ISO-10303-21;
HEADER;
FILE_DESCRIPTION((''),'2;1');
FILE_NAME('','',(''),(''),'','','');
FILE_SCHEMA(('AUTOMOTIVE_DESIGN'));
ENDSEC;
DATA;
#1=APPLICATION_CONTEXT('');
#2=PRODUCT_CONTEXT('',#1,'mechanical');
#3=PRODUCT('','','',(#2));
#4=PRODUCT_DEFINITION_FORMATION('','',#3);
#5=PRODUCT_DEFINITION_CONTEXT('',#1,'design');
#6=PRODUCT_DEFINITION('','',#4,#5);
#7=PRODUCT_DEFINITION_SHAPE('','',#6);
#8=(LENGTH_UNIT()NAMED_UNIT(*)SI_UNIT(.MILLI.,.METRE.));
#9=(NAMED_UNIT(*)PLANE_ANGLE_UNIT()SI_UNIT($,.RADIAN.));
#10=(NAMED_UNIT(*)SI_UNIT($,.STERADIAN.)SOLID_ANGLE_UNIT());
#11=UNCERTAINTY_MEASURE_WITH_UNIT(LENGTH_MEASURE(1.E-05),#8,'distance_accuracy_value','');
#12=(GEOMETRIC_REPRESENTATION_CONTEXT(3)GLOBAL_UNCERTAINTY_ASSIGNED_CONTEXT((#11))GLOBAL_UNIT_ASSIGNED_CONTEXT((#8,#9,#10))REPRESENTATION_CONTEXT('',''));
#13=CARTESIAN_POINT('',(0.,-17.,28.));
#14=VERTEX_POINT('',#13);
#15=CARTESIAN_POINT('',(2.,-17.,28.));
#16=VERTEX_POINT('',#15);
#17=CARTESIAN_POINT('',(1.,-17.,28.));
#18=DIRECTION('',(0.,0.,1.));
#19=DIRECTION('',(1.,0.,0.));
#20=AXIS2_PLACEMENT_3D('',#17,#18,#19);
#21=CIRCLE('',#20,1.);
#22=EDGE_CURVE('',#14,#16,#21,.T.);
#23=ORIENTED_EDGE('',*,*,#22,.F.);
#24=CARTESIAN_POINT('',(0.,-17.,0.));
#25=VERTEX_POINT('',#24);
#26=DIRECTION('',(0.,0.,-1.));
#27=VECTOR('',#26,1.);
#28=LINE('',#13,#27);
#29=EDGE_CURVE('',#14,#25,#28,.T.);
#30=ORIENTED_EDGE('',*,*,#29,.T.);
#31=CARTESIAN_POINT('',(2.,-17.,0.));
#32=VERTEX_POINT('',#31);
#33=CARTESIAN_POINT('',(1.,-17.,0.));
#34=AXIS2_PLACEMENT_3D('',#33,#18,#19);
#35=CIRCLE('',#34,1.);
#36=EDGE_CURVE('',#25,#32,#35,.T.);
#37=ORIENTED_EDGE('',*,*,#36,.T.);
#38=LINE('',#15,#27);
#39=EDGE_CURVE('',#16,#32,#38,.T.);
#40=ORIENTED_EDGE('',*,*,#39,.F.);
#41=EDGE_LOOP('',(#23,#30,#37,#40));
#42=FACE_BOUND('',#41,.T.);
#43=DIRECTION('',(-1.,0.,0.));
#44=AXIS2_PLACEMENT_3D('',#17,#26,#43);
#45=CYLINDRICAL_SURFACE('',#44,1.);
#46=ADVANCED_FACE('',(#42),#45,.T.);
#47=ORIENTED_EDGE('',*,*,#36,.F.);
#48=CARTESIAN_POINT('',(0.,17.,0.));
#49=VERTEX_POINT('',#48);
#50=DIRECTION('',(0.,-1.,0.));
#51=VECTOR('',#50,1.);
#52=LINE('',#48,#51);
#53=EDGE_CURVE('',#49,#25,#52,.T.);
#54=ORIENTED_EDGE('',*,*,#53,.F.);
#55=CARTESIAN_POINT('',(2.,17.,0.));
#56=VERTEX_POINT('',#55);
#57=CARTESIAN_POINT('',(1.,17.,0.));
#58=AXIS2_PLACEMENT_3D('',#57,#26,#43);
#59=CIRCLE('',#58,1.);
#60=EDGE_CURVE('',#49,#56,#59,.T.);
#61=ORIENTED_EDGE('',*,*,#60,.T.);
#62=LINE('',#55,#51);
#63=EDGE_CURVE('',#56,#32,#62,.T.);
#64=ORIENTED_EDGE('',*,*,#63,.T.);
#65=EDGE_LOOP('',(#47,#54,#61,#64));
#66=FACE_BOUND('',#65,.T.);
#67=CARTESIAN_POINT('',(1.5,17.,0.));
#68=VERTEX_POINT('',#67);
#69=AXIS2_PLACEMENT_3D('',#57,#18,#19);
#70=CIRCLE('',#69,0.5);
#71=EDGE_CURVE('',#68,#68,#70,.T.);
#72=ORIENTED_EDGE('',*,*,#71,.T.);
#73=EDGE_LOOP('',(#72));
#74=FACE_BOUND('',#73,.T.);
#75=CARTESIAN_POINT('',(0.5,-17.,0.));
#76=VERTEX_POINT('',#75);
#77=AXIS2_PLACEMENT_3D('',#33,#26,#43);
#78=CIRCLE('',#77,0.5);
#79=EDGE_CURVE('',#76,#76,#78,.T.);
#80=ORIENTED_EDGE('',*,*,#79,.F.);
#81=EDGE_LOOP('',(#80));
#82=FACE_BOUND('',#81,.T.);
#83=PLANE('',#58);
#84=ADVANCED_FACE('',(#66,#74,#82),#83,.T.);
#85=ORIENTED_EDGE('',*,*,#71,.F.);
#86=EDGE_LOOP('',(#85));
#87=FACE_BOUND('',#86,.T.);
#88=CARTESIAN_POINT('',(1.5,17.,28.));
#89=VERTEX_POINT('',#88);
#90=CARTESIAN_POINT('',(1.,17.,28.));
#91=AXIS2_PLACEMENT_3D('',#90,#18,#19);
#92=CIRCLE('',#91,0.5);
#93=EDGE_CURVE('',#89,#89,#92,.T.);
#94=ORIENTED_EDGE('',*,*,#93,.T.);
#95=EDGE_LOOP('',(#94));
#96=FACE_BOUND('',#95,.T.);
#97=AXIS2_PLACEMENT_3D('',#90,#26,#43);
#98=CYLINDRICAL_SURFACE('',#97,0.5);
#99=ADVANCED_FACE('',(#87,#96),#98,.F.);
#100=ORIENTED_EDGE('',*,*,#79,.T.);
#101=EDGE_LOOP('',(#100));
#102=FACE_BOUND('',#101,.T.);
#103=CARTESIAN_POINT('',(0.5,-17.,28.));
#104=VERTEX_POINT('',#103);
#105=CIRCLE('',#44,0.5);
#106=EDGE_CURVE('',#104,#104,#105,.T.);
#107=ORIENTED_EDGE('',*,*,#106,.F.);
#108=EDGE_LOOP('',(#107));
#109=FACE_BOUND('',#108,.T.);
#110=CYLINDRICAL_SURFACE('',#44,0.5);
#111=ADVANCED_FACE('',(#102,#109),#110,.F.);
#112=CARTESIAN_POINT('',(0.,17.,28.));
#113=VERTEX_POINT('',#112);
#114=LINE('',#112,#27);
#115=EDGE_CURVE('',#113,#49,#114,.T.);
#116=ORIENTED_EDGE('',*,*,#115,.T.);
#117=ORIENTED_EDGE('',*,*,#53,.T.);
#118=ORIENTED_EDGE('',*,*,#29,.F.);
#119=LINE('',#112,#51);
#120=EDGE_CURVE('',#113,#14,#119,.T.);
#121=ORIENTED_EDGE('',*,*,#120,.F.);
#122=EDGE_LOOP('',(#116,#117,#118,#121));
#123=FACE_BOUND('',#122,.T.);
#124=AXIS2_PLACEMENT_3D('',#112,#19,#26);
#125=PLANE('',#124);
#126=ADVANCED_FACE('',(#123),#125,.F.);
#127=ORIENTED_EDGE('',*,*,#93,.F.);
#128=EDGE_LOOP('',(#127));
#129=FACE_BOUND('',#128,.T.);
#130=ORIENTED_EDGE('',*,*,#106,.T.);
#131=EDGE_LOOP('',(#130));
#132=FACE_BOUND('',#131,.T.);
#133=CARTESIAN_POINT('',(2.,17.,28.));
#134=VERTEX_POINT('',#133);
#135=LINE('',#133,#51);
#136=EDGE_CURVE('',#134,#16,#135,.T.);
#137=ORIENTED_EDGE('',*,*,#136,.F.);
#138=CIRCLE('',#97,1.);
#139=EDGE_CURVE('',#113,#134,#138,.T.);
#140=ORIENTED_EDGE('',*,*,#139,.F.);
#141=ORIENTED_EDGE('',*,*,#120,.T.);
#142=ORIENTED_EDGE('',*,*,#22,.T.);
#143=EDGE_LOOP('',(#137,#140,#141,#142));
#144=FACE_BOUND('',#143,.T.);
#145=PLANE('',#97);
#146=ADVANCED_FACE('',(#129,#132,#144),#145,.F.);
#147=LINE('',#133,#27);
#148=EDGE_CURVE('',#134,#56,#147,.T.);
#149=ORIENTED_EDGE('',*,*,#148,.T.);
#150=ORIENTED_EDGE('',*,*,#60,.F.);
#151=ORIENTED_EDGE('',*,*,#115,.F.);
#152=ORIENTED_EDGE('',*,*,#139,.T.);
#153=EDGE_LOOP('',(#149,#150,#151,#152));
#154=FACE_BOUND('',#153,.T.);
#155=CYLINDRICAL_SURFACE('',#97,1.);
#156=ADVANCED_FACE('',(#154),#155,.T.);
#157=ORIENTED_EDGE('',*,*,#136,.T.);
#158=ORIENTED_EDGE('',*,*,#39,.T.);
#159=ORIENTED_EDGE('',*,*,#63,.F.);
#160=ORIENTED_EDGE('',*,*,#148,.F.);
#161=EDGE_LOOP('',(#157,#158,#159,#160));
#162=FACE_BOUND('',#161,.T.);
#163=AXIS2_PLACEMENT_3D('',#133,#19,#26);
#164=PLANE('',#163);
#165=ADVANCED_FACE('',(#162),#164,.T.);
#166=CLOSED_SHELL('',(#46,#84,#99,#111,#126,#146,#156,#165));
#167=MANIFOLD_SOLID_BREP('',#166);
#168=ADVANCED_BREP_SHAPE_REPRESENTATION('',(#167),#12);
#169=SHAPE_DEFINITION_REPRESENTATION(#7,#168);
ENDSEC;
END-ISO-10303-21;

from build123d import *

# Parameters (mm, degrees)
SKETCH_1_R      = 0.5
EXTRUDE_1_DEPTH = 28


with BuildPart() as part:
    # Эскиз1 → Бобышка-Вытянуть1 (new body)
    with BuildSketch(Plane.XY):
        with BuildLine():
            Line((0, 17), (0, -17))
            ThreePointArc((0, -17), (1, -18), (2, -17))
            Line((2, -17), (2, 17))
            ThreePointArc((2, 17), (1, 18), (0, 17))
        make_face()
        with Locations((1, 17)):
            Circle(SKETCH_1_R, mode=Mode.SUBTRACT)
        with Locations(Location((1, -17, 0), (0, 0, 180))):
            Circle(SKETCH_1_R, mode=Mode.SUBTRACT)
    extrude(amount=EXTRUDE_1_DEPTH)


solid = part.part
